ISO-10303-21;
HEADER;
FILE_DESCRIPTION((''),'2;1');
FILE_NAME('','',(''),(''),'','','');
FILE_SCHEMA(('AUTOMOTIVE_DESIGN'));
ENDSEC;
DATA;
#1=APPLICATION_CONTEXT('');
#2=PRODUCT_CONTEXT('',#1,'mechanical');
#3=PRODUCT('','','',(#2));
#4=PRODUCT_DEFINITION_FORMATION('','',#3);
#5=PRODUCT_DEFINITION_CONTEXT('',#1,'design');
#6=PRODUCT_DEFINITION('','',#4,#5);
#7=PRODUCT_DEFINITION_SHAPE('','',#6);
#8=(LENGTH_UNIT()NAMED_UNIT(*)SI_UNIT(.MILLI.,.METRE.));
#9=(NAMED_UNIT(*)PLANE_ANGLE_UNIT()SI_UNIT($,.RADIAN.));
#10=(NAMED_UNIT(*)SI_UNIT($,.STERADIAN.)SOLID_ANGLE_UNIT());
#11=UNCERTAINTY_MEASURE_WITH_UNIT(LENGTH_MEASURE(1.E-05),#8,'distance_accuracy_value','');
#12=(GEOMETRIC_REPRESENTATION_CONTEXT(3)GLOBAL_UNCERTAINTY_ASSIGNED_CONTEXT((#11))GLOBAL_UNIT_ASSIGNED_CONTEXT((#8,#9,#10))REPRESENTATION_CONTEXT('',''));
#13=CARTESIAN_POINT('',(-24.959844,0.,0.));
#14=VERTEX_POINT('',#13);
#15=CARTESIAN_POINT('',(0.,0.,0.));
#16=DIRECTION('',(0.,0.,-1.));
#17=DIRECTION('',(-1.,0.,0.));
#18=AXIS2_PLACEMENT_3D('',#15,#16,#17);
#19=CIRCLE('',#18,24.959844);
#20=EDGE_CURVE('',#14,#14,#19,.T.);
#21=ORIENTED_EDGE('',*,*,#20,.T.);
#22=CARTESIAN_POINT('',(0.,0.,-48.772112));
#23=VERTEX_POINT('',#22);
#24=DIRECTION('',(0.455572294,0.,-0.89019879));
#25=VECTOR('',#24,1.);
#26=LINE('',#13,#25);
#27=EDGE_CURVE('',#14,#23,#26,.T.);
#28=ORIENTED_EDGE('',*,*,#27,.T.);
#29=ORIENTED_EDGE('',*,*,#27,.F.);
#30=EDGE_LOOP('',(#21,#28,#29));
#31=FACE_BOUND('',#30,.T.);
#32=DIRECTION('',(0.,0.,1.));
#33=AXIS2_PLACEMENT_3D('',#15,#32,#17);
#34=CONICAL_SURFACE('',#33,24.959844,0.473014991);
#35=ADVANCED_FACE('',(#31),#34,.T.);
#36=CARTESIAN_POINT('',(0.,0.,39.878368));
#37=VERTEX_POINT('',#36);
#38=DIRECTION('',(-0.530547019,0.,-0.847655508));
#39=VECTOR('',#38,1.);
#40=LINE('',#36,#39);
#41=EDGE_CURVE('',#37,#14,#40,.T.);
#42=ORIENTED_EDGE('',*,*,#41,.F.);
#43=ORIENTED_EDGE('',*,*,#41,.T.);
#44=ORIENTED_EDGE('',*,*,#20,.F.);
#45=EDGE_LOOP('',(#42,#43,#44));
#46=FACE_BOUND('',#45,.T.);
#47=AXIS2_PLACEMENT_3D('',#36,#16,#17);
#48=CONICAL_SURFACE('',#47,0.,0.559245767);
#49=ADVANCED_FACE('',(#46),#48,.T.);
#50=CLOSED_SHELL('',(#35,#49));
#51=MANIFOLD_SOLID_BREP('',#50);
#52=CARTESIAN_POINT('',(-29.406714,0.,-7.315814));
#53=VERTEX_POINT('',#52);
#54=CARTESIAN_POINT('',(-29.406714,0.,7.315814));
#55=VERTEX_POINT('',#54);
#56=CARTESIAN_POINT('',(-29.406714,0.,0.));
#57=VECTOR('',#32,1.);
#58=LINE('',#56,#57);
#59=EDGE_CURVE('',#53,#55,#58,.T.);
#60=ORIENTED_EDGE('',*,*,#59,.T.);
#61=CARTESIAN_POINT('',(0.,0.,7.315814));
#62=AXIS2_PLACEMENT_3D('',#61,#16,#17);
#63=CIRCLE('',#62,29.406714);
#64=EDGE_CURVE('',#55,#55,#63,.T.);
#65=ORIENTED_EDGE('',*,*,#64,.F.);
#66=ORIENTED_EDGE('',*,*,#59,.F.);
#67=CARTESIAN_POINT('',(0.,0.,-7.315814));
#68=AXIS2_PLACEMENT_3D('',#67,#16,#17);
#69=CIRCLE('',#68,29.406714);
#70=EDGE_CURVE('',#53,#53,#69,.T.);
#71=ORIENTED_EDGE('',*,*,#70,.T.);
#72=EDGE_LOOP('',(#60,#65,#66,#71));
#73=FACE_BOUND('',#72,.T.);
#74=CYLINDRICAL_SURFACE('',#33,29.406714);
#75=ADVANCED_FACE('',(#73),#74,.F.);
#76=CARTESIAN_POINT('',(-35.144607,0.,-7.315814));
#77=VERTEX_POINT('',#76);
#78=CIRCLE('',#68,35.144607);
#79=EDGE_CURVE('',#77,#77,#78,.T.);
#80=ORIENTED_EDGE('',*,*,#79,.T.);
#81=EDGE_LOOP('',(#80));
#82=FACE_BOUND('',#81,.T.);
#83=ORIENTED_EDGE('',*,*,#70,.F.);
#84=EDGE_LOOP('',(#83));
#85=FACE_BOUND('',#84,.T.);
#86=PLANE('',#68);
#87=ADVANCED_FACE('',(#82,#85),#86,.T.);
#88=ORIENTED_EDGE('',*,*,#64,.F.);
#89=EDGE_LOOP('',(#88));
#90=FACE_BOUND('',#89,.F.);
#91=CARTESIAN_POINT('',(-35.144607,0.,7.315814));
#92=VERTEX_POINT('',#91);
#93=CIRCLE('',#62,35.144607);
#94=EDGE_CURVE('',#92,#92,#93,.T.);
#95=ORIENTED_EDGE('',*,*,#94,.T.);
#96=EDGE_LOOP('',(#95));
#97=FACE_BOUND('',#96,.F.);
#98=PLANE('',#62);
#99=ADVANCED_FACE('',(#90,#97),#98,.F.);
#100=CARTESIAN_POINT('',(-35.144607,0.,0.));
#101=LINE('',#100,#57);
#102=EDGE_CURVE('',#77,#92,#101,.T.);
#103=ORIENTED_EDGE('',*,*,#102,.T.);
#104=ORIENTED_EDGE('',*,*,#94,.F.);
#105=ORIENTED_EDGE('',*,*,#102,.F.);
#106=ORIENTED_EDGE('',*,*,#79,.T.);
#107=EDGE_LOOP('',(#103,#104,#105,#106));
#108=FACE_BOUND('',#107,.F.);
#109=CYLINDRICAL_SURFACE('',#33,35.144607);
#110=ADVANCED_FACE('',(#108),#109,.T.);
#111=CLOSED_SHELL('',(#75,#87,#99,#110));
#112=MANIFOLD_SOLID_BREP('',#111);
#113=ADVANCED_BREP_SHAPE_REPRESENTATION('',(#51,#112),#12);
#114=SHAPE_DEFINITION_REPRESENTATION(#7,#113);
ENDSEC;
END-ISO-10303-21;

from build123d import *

# Parameters (mm, degrees)
F0_W = 5.737893
F0_H = 14.631628


with BuildPart() as f1:
    # F0 (on Front) → F1 (revolve)
    with BuildSketch(Plane.XZ):
        Polygon((0, -48.772112), (0, 39.878368), (-24.959844, 0), align=None)
    revolve(axis=Axis((0, 0, -4.446872), (0, 0, -1)))


with BuildPart() as f2:
    # F0 (on Front) → F2 (revolve)
    with BuildSketch(Plane.XZ):
        with Locations((-32.275661, 0)):
            Rectangle(F0_W, F0_H)
    revolve(axis=Axis((0, 0, -4.446872), (0, 0, -1)))


solid = Compound([f1.part, f2.part])
